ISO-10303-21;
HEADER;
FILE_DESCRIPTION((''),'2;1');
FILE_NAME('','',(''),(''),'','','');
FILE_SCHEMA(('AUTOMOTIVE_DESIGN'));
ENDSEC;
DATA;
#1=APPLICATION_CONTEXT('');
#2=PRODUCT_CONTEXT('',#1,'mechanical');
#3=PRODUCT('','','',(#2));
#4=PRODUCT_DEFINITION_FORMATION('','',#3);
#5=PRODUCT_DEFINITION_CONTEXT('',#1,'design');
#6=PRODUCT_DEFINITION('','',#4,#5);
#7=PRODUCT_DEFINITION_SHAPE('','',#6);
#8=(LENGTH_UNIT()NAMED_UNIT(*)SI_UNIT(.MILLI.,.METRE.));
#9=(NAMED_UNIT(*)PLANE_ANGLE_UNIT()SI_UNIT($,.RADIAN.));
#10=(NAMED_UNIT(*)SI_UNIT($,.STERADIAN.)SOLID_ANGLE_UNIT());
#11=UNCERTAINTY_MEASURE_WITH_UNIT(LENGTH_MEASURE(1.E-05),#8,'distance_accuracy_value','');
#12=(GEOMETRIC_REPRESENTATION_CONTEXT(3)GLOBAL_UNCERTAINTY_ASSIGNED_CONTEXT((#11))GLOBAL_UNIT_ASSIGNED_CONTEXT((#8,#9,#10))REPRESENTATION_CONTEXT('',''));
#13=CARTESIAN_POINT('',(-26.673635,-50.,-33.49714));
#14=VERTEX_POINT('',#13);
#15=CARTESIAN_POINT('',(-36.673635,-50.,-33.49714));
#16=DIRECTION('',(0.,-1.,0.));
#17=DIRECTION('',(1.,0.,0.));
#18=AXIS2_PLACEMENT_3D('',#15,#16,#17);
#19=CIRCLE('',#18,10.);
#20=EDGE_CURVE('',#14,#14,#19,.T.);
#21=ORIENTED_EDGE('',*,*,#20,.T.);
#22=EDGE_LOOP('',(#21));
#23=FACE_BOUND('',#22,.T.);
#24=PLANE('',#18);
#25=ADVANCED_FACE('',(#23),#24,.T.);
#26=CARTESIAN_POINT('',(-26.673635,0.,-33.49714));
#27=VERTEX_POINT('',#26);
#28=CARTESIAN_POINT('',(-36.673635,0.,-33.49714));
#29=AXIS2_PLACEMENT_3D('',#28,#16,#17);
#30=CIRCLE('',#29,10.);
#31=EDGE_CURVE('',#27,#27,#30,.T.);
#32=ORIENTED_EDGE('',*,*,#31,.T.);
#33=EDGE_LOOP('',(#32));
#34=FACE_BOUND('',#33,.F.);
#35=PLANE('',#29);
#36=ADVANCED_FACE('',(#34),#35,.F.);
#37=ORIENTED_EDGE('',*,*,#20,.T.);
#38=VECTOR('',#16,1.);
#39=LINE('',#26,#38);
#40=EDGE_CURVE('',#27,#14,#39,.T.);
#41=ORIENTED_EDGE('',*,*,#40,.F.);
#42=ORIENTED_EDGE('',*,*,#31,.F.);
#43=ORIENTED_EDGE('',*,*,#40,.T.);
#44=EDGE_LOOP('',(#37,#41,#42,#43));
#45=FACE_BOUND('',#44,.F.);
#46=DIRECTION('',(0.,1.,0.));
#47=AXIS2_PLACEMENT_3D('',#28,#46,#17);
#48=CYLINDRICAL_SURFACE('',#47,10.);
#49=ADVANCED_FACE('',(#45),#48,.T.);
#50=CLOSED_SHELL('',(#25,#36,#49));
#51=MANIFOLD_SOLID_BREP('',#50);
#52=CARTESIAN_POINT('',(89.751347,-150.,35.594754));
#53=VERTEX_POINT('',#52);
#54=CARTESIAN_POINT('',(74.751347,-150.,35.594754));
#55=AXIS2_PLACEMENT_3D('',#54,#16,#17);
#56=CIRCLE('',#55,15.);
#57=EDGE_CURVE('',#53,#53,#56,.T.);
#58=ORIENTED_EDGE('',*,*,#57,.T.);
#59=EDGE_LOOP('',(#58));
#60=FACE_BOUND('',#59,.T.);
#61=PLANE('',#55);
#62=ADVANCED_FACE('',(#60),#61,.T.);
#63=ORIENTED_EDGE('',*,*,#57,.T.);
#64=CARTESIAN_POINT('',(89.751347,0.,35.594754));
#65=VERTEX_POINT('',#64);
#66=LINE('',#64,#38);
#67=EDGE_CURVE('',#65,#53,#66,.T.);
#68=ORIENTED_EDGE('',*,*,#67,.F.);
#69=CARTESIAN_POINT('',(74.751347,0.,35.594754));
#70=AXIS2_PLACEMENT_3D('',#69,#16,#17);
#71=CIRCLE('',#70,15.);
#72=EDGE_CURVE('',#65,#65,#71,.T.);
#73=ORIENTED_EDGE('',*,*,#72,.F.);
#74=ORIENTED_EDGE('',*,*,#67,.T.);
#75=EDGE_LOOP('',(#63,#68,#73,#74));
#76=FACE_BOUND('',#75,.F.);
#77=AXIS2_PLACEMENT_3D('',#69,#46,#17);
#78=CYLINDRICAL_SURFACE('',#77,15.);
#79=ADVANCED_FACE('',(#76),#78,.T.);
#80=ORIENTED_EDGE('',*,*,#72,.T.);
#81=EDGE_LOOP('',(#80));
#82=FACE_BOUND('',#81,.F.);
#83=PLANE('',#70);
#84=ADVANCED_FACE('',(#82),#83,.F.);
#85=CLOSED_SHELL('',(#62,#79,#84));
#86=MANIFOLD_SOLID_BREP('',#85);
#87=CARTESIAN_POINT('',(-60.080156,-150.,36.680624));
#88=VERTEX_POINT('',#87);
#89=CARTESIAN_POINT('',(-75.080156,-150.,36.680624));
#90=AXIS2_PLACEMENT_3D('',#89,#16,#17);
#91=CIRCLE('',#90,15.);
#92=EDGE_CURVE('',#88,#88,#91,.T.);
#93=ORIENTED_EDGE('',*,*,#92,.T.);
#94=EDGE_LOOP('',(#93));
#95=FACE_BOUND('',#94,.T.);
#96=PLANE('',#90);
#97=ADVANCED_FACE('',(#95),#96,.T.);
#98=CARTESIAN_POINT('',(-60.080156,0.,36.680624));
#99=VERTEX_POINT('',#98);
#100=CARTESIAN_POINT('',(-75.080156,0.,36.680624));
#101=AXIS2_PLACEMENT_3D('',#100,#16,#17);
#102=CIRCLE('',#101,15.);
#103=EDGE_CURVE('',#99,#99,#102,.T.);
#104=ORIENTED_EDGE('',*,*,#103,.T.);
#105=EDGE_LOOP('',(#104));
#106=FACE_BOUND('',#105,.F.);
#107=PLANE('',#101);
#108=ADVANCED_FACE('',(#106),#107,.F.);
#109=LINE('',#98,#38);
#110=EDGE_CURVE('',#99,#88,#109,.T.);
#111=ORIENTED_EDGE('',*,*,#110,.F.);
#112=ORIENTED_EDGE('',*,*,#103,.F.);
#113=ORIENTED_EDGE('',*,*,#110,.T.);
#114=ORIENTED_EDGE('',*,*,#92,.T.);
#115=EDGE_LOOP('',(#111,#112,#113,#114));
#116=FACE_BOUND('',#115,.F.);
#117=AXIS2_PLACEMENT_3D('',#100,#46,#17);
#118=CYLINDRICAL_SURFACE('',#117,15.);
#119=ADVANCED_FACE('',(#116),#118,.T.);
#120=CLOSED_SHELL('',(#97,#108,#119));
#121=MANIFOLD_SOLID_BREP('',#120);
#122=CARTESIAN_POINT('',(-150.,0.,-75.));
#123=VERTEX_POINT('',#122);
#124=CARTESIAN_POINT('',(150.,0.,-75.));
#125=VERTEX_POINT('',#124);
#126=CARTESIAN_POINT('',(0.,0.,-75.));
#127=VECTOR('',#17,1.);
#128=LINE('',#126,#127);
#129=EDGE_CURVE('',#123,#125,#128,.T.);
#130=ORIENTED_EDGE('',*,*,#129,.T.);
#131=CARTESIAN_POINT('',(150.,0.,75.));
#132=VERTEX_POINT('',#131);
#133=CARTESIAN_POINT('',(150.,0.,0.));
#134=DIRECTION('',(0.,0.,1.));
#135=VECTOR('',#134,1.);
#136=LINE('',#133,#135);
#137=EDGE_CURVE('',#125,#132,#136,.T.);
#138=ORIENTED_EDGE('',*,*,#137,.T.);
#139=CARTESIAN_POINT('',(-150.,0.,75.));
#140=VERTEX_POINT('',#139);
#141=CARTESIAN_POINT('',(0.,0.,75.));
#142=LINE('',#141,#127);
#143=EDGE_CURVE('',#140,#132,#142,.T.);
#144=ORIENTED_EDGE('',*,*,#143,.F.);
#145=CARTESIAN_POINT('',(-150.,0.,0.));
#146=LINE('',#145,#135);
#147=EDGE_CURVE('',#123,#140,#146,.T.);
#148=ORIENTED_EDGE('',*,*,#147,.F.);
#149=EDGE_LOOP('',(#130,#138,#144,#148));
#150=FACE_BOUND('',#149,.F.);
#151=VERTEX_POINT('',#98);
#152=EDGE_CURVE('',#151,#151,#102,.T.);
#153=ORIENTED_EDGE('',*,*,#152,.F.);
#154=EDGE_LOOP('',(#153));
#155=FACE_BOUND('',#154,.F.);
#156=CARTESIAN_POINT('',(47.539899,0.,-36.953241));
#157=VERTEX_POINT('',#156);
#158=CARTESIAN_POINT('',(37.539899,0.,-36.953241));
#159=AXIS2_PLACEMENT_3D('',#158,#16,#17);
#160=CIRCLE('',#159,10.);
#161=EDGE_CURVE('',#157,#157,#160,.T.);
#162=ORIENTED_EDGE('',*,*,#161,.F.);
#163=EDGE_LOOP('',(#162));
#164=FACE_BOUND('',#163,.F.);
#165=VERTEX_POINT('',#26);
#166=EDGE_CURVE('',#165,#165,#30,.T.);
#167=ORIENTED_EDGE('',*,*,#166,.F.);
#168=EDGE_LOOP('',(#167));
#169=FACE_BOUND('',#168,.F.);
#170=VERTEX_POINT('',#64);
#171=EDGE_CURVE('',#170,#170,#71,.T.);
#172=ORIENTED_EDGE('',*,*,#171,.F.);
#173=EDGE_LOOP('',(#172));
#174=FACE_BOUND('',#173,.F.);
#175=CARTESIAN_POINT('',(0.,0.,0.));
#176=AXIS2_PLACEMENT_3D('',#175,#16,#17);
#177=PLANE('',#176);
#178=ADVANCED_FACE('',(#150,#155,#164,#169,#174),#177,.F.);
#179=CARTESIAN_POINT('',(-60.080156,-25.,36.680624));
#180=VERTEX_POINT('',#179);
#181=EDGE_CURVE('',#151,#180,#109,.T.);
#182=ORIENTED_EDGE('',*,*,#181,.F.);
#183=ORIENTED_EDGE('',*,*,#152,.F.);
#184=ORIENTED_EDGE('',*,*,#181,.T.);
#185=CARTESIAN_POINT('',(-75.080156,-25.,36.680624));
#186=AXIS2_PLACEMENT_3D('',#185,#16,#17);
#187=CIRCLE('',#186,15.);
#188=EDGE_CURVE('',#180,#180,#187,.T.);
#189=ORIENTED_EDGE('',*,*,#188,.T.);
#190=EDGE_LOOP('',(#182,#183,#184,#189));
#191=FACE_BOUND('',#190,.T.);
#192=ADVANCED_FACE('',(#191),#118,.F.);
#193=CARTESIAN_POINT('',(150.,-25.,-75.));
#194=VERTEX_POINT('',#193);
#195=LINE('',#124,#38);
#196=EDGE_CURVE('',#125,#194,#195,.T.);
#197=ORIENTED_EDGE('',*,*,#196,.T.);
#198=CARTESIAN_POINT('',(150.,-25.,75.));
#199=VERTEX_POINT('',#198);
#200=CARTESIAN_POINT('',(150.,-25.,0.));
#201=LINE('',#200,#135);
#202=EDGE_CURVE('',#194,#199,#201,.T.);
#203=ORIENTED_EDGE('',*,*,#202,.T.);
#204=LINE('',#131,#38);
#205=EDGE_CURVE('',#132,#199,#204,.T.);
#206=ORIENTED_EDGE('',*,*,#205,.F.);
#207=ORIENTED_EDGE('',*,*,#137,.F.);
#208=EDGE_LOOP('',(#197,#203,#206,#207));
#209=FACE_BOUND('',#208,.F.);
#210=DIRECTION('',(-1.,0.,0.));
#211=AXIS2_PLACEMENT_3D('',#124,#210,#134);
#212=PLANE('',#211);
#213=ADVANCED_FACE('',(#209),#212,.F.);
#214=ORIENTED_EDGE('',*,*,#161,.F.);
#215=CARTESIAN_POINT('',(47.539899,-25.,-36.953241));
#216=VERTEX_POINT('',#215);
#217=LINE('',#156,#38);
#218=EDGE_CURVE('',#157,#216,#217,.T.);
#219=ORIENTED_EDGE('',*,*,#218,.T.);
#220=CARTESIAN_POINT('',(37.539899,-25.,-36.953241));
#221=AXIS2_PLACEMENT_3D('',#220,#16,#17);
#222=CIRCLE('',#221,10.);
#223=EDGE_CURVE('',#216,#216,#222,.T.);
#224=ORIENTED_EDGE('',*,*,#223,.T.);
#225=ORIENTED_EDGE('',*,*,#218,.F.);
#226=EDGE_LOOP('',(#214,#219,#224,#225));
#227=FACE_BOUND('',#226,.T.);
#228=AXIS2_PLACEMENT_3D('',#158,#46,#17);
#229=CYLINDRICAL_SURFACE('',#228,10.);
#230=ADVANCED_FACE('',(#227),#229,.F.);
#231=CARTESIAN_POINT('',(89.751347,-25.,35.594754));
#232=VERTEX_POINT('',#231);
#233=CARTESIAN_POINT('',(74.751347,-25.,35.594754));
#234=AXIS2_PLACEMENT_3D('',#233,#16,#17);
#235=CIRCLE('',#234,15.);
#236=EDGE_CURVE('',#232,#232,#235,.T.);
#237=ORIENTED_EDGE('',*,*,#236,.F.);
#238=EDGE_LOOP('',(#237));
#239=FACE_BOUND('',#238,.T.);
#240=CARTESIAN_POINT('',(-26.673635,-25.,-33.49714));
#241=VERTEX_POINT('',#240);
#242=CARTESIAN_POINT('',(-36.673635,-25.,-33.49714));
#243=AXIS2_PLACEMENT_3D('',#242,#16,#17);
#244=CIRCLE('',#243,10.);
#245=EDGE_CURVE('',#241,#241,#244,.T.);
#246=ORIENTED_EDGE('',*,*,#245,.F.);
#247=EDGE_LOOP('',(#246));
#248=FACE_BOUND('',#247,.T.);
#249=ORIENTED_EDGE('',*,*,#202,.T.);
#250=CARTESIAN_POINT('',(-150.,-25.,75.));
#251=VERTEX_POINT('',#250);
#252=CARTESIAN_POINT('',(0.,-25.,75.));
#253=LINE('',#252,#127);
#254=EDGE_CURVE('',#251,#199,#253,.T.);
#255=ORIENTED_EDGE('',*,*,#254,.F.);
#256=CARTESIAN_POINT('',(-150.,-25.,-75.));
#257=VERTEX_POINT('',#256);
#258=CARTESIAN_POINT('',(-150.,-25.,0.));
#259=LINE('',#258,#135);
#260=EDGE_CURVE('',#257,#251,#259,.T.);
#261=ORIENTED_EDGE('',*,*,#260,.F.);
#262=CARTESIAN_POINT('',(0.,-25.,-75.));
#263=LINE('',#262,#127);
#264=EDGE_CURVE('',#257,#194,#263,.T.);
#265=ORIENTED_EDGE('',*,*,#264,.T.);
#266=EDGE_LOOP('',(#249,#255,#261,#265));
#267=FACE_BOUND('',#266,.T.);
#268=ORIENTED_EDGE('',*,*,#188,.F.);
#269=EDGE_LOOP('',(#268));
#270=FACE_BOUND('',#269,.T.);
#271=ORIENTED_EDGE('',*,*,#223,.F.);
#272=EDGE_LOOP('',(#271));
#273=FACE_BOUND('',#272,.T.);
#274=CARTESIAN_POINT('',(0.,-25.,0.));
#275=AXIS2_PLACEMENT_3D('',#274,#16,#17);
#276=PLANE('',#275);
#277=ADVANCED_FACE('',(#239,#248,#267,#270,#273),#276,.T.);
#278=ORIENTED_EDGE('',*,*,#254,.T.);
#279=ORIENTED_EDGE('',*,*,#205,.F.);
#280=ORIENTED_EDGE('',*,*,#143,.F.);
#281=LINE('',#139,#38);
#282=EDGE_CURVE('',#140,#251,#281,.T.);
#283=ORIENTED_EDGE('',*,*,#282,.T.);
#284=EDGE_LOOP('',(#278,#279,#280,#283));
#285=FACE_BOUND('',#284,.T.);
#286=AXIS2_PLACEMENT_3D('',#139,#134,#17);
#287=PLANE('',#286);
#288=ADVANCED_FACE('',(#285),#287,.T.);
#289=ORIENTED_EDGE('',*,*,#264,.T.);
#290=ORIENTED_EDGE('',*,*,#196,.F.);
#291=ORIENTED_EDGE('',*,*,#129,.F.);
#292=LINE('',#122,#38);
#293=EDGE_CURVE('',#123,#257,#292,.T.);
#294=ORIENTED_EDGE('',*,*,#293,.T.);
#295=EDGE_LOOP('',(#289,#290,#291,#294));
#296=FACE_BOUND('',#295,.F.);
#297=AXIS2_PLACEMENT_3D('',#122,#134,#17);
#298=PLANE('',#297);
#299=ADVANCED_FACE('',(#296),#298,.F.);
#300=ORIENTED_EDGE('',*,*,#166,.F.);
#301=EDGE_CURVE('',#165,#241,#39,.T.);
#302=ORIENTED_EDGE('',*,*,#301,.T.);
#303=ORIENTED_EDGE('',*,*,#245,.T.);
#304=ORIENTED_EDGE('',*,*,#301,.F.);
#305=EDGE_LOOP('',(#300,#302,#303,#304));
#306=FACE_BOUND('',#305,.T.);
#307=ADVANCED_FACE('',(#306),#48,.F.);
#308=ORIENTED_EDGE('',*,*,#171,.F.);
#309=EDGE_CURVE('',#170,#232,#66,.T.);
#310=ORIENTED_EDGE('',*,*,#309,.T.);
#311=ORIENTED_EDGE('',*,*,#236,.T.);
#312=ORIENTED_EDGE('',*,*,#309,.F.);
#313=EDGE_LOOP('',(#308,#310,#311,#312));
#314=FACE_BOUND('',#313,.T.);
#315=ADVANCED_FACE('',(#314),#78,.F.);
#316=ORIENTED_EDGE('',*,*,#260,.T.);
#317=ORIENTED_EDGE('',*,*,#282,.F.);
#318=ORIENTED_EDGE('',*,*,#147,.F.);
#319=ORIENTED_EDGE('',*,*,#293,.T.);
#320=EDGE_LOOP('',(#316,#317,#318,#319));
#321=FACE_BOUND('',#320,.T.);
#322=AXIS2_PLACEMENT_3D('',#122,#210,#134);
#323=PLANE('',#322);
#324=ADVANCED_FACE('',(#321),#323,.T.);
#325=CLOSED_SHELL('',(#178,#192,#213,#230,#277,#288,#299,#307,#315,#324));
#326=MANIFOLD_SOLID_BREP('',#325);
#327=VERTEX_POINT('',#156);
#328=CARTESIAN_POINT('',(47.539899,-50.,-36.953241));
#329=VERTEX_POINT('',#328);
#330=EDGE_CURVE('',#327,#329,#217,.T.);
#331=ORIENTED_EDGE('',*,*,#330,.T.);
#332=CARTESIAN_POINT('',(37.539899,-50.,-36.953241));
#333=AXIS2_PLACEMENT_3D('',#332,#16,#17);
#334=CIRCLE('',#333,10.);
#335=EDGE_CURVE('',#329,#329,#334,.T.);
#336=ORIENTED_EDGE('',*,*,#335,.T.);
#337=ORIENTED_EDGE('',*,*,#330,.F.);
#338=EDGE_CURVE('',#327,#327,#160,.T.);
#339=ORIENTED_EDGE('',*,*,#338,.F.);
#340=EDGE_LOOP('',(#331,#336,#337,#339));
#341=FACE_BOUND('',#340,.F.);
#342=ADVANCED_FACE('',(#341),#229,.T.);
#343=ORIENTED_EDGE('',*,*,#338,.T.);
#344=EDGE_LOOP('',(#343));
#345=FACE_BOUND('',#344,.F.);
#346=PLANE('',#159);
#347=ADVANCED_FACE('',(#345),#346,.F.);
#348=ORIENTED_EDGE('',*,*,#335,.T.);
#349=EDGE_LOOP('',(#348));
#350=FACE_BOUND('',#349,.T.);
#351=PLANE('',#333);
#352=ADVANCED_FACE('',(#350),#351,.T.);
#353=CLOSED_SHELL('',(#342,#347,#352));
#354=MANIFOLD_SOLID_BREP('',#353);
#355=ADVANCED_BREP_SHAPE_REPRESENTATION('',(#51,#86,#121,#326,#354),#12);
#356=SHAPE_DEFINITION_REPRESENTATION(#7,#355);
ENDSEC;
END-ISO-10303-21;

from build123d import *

# Parameters (mm, degrees)
F0_R     = 15
F1_DEPTH = 150
F0_R_2   = 10
F2_DEPTH = 50
F0_W     = 300
F0_H     = 150
F3_DEPTH = 25


with BuildPart() as f1:
    # F0 (on Front) → F1 (new body)
    with BuildSketch(Plane.XZ):
        with Locations((74.751347, 35.594754)):
            Circle(F0_R)
        with Locations((-75.080156, 36.680624)):
            Circle(F0_R)
    extrude(amount=F1_DEPTH)


with BuildPart() as f2:
    # F0 (on Front) → F2 (new body)
    with BuildSketch(Plane.XZ):
        with Locations((37.539899, -36.953241)):
            Circle(F0_R_2)
        with Locations((-36.673635, -33.49714)):
            Circle(F0_R_2)
    extrude(amount=F2_DEPTH)


with BuildPart() as f3:
    # F0 (on Front) → F3 (new body)
    with BuildSketch(Plane.XZ):
        Rectangle(F0_W, F0_H)
        with Locations((-36.673635, -33.49714)):
            Circle(F0_R_2, mode=Mode.SUBTRACT)
        with Locations((37.539899, -36.953241)):
            Circle(F0_R_2, mode=Mode.SUBTRACT)
        with Locations((-75.080156, 36.680624)):
            Circle(F0_R, mode=Mode.SUBTRACT)
        with Locations((74.751347, 35.594754)):
            Circle(F0_R, mode=Mode.SUBTRACT)
    extrude(amount=F3_DEPTH)


solid = Compound([f1.part, f2.part, f3.part])
